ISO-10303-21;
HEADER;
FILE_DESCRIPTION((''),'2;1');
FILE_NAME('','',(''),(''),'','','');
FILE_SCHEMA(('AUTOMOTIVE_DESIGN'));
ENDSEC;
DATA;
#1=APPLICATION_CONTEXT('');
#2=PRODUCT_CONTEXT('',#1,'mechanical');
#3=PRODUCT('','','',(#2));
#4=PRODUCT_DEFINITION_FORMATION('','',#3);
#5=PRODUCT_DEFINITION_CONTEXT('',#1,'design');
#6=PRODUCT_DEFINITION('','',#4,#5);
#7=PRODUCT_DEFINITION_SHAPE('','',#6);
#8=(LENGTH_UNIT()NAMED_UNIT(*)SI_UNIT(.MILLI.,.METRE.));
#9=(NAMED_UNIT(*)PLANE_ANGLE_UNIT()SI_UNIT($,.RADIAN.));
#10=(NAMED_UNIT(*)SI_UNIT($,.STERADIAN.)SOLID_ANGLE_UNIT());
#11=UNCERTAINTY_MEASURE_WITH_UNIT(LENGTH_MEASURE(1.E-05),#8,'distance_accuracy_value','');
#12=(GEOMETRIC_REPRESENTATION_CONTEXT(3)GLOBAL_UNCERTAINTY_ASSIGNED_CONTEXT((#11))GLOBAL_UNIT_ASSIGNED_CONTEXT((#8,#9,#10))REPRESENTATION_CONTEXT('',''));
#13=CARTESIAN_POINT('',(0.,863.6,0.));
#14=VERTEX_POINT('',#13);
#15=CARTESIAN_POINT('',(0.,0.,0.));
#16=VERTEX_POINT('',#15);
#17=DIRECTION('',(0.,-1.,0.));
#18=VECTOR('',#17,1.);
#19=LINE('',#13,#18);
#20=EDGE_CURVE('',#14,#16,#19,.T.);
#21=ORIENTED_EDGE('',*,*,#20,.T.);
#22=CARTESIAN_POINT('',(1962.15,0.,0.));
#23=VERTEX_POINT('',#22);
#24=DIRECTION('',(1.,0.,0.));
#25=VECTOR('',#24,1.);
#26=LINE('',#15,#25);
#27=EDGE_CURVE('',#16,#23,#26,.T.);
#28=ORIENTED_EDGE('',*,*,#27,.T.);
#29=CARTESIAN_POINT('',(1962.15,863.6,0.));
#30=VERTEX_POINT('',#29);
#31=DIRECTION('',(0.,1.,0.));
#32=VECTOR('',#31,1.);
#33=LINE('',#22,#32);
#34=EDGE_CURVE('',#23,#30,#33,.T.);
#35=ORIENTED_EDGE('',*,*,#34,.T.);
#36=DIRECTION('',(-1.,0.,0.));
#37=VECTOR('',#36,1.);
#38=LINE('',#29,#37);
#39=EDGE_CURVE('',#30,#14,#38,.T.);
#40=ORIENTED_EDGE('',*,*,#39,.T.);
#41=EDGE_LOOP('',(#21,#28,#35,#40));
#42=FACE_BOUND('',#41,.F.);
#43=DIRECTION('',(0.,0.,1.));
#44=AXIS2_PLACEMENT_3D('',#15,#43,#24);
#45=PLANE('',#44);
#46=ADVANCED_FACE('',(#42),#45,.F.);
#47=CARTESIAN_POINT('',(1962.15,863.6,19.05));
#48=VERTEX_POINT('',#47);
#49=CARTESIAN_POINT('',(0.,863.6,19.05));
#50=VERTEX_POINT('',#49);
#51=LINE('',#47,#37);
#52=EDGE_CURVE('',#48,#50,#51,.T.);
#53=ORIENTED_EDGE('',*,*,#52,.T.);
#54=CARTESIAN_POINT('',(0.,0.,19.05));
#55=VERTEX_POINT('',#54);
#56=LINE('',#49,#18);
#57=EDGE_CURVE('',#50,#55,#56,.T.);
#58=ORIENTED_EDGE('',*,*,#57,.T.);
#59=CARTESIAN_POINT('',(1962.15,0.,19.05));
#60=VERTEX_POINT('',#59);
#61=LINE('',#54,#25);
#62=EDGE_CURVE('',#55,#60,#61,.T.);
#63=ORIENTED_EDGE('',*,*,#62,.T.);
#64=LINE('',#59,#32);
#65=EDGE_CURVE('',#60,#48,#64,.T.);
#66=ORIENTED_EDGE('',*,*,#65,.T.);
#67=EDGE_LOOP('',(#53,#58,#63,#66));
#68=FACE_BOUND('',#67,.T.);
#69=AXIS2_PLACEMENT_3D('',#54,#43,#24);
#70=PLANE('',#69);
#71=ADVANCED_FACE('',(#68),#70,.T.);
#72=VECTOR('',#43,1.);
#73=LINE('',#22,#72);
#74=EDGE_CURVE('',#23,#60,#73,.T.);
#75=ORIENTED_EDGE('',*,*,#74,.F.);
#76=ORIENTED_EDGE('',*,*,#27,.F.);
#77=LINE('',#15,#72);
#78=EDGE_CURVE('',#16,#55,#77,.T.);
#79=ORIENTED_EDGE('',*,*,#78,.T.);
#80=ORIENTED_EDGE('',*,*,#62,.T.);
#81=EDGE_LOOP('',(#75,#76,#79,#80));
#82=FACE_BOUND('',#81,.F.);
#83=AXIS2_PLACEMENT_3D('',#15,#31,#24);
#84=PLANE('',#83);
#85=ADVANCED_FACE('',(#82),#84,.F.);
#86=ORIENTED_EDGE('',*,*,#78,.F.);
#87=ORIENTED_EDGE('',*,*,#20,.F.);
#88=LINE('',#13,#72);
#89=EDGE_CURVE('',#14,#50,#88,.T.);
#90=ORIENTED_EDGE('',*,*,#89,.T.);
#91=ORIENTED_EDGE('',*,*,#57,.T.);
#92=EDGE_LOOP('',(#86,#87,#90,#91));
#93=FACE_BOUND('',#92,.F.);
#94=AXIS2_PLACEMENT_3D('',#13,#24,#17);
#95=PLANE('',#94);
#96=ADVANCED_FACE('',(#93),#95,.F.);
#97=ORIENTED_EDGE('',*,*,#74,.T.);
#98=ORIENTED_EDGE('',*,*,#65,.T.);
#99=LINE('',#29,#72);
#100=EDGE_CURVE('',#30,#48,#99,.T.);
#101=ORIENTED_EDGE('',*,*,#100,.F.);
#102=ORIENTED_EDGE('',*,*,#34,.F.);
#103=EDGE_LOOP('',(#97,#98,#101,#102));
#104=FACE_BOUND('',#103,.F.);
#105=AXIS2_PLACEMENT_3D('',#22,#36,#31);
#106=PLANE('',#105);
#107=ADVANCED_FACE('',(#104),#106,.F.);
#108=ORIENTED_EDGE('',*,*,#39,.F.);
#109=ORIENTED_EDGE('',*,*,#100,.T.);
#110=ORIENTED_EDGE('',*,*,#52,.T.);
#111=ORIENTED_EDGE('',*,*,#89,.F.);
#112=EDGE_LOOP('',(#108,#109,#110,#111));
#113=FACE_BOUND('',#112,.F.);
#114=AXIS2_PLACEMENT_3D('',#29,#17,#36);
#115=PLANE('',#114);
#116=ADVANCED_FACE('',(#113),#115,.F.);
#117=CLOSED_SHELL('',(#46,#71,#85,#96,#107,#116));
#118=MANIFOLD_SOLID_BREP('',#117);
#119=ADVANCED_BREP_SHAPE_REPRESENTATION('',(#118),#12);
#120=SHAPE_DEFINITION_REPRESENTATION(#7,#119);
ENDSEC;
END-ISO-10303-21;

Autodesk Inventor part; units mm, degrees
ref_plane "YZ Plane" through (0, 0, 0) normal (1, 0, 0) x (0, 1, 0)
ref_plane "XZ Plane" through (0, 0, 0) normal (0, 1, 0) x (-1, 0, 0)
ref_plane "XY Plane" through (0, 0, 0) normal (0, 0, 1) x (1, 0, 0)
sketch "Sketch1" plane through (0, 0, 0) normal (0, 0, 1) x (1, 0, 0)
  line L0 (0, 0) -> (1962.15, 0)
  line L1 (1962.15, 0) -> (1962.15, 863.6)
  line L2 (1962.15, 863.6) -> (0, 863.6)
  line L3 (0, 863.6) -> (0, 0)
  dimension "d1" = 1962.15
  dimension "d2" = 863.6
extrude "Extrusion1" add sketch "Sketch1" along normal blind 19.05
properties part number "Plywood--0.75_x_34_x_88_in" material "Wood (Southern Pine)"
